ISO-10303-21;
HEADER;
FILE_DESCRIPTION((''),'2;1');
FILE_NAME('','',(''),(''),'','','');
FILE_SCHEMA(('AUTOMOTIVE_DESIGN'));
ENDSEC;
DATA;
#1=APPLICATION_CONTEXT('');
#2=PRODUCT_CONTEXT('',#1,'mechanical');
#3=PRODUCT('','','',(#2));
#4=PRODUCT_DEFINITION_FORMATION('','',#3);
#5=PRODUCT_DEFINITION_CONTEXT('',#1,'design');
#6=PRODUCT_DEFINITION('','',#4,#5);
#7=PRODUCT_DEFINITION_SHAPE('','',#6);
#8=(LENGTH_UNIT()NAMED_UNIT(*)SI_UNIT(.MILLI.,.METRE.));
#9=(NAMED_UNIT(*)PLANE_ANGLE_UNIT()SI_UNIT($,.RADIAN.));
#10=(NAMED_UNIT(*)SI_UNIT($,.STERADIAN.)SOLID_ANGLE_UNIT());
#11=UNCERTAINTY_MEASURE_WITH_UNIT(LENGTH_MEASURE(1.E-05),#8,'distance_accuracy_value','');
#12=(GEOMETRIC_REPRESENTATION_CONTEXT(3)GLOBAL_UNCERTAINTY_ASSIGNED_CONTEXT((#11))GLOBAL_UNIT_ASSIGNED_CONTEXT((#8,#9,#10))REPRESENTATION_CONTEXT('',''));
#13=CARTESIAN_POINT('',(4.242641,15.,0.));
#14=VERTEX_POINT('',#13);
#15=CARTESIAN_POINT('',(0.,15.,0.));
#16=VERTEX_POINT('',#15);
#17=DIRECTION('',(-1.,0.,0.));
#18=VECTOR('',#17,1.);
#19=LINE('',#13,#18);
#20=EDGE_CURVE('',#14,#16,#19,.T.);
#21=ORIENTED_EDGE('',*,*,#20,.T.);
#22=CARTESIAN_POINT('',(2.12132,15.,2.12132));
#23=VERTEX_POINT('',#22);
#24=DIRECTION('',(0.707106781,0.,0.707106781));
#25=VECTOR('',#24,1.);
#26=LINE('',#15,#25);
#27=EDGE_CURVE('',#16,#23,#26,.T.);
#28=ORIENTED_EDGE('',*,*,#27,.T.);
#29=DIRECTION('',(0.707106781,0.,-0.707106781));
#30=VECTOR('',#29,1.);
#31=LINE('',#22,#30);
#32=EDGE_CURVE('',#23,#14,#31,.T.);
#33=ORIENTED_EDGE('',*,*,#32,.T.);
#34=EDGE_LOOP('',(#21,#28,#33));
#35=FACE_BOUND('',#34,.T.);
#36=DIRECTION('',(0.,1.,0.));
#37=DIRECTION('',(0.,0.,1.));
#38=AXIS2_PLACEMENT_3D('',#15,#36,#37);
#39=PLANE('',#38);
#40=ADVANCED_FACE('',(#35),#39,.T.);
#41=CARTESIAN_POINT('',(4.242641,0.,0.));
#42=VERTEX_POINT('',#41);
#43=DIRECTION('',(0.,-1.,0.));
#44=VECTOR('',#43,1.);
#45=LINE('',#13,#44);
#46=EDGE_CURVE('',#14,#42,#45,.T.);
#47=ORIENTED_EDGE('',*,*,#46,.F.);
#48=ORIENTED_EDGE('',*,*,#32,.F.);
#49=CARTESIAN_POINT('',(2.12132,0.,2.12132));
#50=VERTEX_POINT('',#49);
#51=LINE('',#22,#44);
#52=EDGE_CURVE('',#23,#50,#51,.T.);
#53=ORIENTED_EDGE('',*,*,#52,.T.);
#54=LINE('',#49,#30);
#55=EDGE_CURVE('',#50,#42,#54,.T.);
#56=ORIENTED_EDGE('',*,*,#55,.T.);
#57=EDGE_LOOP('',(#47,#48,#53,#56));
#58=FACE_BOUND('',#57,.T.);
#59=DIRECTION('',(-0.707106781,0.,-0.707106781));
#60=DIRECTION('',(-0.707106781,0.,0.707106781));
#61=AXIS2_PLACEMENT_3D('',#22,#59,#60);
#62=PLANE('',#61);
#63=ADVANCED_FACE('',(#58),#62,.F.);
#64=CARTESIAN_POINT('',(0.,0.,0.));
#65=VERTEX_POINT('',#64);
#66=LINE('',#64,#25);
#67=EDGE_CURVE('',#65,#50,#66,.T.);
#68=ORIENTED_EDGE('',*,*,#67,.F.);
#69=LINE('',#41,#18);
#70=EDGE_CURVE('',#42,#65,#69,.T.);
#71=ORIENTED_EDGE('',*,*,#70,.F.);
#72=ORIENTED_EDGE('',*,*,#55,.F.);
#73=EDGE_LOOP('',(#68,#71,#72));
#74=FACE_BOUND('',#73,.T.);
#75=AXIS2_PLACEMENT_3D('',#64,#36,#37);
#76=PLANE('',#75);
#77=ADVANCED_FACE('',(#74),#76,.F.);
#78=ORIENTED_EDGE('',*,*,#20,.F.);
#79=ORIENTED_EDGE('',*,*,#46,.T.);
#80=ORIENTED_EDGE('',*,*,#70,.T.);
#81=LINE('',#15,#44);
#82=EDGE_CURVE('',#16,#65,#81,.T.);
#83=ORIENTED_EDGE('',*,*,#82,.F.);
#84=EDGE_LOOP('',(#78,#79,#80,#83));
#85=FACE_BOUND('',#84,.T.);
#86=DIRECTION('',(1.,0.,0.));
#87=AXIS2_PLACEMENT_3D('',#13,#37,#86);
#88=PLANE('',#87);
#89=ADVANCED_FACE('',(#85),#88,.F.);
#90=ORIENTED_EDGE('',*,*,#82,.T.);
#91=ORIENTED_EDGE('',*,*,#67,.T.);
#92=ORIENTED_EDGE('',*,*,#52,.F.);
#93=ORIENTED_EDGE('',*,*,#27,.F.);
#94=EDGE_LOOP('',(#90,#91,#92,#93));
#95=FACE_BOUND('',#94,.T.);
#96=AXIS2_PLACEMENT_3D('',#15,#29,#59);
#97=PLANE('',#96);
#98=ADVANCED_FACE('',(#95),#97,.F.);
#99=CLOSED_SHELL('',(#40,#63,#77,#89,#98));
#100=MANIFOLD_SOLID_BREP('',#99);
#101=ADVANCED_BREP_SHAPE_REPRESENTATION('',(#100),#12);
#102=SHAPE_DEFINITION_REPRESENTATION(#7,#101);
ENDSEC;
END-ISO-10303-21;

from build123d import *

# Parameters (mm, degrees)
EXTRUDE_1_DEPTH = 15


with BuildPart() as part:
    # 草图1 → 凸台-拉伸1 (new body)
    with BuildSketch(Plane(origin=(0, 0, 0), x_dir=(1, 0, 0), z_dir=(0, 1, 0))):
        Polygon((0, 0), (2.121320344, -2.121320344), (4.242640687, 0), align=None)
    extrude(amount=EXTRUDE_1_DEPTH)


solid = part.part
